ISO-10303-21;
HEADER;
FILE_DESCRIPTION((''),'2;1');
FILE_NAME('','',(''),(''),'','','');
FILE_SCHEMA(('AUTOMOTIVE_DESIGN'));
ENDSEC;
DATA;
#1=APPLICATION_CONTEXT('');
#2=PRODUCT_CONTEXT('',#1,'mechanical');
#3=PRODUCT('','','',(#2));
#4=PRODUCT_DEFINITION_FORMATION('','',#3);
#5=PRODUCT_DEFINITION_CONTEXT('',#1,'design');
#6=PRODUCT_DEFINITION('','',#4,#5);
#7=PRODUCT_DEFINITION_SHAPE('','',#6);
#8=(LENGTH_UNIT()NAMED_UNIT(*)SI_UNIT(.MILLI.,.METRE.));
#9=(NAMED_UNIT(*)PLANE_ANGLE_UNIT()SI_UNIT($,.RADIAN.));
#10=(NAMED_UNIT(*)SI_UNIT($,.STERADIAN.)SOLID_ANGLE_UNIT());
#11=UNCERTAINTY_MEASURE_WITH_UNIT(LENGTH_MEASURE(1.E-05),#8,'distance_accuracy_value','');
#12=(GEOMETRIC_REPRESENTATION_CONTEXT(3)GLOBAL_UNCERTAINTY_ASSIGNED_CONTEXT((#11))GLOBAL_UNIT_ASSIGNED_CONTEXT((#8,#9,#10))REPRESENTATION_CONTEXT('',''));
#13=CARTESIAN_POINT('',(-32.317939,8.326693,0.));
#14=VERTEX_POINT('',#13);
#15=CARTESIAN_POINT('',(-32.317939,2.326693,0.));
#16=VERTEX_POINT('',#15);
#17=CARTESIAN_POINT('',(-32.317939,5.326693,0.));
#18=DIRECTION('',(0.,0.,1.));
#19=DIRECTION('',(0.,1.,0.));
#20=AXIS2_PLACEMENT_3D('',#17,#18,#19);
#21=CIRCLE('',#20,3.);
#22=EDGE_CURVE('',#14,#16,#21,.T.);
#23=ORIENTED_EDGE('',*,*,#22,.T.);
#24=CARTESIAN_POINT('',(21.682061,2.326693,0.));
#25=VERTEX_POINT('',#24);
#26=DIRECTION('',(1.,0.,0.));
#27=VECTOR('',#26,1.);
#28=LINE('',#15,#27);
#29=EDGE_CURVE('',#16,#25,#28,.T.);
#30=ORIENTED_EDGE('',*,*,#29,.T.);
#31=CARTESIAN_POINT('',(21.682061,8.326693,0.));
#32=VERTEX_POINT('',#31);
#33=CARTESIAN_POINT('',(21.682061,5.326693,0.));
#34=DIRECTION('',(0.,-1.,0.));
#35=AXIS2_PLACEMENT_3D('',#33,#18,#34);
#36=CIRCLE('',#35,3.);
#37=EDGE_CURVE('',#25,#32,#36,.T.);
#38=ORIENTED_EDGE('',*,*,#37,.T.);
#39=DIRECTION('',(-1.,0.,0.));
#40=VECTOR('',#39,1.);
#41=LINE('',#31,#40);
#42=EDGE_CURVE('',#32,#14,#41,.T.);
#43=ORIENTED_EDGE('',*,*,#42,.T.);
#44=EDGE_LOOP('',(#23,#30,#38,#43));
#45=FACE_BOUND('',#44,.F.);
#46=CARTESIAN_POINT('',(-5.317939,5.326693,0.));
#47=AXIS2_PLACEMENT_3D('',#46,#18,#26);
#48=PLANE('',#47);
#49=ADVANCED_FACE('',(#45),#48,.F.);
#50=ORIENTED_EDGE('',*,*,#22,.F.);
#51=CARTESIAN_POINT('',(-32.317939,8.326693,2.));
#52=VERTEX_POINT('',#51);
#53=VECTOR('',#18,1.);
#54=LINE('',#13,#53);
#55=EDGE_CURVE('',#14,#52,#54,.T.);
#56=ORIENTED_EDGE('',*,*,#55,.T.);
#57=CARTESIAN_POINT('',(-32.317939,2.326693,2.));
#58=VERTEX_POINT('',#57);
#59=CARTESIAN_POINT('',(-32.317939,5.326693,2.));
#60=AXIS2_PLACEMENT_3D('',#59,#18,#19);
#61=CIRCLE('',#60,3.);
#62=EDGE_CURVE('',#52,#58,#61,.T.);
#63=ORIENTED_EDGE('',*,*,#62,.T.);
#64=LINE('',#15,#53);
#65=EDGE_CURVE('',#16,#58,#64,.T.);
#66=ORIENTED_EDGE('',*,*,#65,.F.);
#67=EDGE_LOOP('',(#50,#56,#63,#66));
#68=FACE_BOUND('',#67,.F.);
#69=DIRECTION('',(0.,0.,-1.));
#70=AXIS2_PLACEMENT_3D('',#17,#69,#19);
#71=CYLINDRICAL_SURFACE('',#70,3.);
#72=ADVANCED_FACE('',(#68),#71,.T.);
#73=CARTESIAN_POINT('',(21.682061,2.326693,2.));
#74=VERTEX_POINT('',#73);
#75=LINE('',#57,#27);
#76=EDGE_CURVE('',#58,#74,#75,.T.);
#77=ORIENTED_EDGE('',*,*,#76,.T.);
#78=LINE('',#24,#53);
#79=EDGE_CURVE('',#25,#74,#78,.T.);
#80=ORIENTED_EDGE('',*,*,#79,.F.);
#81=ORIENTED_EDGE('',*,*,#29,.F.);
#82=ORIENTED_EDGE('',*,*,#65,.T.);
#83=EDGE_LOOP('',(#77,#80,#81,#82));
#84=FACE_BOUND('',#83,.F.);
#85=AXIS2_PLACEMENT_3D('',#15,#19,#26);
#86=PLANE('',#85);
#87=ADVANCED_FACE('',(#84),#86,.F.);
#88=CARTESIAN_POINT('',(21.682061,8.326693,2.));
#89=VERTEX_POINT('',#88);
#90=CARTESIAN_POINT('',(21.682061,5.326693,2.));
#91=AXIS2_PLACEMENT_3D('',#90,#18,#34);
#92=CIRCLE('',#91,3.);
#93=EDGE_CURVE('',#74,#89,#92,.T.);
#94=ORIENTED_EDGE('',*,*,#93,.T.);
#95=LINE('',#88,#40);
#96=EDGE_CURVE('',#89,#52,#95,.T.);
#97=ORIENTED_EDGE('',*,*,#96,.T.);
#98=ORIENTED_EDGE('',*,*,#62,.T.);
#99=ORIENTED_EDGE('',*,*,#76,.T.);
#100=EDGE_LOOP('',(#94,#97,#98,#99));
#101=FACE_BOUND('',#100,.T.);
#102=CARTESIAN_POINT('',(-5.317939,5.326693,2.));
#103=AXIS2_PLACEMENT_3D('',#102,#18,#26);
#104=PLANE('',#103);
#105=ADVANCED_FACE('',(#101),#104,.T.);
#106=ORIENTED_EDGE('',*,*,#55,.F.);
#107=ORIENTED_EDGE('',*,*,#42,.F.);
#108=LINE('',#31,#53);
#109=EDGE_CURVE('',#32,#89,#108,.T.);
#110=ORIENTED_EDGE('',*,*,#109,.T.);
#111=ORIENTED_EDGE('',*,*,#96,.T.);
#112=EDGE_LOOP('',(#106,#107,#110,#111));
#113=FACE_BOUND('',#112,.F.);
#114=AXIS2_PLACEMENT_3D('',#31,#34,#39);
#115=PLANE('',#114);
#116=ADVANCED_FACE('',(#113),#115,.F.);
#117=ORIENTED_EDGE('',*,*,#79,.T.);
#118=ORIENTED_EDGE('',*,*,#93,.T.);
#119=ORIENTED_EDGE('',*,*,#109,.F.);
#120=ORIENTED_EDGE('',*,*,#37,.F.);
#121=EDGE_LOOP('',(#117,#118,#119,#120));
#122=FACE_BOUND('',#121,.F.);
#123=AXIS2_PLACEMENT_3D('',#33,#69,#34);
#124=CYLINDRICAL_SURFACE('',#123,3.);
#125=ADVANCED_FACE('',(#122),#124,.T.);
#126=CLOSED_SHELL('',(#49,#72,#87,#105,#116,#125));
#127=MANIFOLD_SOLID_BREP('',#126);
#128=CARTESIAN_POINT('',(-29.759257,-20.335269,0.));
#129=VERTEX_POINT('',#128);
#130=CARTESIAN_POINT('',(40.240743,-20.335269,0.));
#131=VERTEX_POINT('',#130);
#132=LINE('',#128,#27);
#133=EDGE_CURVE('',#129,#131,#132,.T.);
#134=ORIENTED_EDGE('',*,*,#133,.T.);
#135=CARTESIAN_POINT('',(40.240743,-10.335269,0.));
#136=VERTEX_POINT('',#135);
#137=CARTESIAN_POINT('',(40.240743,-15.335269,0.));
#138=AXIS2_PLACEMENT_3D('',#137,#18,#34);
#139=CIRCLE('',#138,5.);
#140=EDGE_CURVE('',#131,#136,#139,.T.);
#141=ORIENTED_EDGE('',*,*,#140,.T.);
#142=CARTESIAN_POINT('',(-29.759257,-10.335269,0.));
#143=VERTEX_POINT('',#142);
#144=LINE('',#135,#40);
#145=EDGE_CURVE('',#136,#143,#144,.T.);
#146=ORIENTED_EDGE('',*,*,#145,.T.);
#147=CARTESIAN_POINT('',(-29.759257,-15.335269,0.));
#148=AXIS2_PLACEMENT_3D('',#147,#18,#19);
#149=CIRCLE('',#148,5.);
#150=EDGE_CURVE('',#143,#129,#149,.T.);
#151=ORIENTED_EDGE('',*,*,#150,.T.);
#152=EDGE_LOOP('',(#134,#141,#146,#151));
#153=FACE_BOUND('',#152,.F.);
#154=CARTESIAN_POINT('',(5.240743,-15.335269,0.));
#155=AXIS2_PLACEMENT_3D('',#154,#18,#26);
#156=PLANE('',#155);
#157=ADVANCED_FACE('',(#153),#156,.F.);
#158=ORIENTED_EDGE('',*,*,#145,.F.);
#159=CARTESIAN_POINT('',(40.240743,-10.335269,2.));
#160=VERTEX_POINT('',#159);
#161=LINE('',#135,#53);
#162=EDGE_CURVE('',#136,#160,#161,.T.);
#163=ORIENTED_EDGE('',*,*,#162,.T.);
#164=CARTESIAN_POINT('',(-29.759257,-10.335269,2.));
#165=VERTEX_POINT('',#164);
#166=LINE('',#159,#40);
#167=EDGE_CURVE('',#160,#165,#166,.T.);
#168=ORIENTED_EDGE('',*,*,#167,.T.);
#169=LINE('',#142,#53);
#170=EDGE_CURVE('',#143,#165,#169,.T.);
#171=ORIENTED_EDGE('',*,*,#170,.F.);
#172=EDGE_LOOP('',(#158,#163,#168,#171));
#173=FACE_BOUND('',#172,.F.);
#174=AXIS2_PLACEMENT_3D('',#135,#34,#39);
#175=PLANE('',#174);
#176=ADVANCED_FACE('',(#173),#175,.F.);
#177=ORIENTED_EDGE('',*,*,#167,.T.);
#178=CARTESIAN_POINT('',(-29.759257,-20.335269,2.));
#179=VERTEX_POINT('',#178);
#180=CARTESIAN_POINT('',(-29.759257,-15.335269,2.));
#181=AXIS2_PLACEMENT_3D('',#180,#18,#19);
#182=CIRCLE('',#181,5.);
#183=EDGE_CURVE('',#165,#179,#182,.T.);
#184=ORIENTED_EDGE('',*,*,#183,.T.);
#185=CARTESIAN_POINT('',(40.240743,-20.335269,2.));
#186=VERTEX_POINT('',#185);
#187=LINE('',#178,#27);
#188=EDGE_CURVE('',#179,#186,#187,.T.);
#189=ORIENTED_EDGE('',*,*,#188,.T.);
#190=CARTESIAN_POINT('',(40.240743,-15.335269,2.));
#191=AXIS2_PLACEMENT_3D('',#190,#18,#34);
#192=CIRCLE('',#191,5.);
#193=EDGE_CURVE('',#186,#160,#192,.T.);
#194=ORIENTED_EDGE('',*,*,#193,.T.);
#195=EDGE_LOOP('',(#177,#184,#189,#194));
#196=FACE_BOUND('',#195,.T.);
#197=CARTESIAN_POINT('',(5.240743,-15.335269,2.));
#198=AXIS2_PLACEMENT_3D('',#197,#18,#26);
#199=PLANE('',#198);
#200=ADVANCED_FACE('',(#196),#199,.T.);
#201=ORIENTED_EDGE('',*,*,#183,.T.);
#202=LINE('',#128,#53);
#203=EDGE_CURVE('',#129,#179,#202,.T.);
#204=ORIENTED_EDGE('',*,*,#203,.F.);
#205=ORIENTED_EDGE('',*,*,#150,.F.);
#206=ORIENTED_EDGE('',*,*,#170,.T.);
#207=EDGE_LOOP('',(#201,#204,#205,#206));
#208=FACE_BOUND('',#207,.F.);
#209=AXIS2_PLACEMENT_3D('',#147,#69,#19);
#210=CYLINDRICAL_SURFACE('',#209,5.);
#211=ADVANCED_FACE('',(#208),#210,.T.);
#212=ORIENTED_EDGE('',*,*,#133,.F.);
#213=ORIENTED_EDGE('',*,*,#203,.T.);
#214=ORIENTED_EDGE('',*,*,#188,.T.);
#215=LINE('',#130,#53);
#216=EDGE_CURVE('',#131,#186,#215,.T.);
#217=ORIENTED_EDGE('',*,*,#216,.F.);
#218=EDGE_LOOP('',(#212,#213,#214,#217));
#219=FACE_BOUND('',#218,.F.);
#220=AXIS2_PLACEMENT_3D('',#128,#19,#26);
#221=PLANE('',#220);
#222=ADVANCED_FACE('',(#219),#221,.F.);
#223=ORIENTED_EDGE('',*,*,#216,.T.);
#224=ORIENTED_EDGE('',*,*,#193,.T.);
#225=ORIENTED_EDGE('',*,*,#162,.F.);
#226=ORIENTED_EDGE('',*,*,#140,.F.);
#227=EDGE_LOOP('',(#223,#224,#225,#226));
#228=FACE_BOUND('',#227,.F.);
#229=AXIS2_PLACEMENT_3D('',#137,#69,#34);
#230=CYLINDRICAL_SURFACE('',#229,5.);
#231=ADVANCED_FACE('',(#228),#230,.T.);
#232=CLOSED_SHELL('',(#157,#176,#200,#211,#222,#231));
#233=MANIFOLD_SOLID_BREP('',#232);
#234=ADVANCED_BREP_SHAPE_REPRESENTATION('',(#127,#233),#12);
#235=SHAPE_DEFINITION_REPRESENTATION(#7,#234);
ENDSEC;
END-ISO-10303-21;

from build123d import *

# Parameters (mm, degrees)
F1_DEPTH = 2
F2_DEPTH = 2


with BuildPart() as f1:
    # F0 (on Top) → F1 (new body)
    with BuildSketch(Plane.XY):
        with BuildLine():
            Line((21.682061, 8.326693), (-32.317939, 8.326693))
            ThreePointArc((-32.317939, 8.326693), (-35.317939, 5.326693), (-32.317939, 2.326693))
            Line((-32.317939, 2.326693), (21.682061, 2.326693))
            ThreePointArc((21.682061, 2.326693), (24.682061, 5.326693), (21.682061, 8.326693))
        make_face()
    extrude(amount=F1_DEPTH)


with BuildPart() as f2:
    # F0 (on Top) → F2 (new body)
    with BuildSketch(Plane.XY):
        with BuildLine():
            Line((40.240743, -10.335269), (-29.759257, -10.335269))
            ThreePointArc((-29.759257, -10.335269), (-34.759257, -15.335269), (-29.759257, -20.335269))
            Line((-29.759257, -20.335269), (40.240743, -20.335269))
            ThreePointArc((40.240743, -20.335269), (45.240743, -15.335269), (40.240743, -10.335269))
        make_face()
    extrude(amount=F2_DEPTH)


solid = Compound([f1.part, f2.part])
